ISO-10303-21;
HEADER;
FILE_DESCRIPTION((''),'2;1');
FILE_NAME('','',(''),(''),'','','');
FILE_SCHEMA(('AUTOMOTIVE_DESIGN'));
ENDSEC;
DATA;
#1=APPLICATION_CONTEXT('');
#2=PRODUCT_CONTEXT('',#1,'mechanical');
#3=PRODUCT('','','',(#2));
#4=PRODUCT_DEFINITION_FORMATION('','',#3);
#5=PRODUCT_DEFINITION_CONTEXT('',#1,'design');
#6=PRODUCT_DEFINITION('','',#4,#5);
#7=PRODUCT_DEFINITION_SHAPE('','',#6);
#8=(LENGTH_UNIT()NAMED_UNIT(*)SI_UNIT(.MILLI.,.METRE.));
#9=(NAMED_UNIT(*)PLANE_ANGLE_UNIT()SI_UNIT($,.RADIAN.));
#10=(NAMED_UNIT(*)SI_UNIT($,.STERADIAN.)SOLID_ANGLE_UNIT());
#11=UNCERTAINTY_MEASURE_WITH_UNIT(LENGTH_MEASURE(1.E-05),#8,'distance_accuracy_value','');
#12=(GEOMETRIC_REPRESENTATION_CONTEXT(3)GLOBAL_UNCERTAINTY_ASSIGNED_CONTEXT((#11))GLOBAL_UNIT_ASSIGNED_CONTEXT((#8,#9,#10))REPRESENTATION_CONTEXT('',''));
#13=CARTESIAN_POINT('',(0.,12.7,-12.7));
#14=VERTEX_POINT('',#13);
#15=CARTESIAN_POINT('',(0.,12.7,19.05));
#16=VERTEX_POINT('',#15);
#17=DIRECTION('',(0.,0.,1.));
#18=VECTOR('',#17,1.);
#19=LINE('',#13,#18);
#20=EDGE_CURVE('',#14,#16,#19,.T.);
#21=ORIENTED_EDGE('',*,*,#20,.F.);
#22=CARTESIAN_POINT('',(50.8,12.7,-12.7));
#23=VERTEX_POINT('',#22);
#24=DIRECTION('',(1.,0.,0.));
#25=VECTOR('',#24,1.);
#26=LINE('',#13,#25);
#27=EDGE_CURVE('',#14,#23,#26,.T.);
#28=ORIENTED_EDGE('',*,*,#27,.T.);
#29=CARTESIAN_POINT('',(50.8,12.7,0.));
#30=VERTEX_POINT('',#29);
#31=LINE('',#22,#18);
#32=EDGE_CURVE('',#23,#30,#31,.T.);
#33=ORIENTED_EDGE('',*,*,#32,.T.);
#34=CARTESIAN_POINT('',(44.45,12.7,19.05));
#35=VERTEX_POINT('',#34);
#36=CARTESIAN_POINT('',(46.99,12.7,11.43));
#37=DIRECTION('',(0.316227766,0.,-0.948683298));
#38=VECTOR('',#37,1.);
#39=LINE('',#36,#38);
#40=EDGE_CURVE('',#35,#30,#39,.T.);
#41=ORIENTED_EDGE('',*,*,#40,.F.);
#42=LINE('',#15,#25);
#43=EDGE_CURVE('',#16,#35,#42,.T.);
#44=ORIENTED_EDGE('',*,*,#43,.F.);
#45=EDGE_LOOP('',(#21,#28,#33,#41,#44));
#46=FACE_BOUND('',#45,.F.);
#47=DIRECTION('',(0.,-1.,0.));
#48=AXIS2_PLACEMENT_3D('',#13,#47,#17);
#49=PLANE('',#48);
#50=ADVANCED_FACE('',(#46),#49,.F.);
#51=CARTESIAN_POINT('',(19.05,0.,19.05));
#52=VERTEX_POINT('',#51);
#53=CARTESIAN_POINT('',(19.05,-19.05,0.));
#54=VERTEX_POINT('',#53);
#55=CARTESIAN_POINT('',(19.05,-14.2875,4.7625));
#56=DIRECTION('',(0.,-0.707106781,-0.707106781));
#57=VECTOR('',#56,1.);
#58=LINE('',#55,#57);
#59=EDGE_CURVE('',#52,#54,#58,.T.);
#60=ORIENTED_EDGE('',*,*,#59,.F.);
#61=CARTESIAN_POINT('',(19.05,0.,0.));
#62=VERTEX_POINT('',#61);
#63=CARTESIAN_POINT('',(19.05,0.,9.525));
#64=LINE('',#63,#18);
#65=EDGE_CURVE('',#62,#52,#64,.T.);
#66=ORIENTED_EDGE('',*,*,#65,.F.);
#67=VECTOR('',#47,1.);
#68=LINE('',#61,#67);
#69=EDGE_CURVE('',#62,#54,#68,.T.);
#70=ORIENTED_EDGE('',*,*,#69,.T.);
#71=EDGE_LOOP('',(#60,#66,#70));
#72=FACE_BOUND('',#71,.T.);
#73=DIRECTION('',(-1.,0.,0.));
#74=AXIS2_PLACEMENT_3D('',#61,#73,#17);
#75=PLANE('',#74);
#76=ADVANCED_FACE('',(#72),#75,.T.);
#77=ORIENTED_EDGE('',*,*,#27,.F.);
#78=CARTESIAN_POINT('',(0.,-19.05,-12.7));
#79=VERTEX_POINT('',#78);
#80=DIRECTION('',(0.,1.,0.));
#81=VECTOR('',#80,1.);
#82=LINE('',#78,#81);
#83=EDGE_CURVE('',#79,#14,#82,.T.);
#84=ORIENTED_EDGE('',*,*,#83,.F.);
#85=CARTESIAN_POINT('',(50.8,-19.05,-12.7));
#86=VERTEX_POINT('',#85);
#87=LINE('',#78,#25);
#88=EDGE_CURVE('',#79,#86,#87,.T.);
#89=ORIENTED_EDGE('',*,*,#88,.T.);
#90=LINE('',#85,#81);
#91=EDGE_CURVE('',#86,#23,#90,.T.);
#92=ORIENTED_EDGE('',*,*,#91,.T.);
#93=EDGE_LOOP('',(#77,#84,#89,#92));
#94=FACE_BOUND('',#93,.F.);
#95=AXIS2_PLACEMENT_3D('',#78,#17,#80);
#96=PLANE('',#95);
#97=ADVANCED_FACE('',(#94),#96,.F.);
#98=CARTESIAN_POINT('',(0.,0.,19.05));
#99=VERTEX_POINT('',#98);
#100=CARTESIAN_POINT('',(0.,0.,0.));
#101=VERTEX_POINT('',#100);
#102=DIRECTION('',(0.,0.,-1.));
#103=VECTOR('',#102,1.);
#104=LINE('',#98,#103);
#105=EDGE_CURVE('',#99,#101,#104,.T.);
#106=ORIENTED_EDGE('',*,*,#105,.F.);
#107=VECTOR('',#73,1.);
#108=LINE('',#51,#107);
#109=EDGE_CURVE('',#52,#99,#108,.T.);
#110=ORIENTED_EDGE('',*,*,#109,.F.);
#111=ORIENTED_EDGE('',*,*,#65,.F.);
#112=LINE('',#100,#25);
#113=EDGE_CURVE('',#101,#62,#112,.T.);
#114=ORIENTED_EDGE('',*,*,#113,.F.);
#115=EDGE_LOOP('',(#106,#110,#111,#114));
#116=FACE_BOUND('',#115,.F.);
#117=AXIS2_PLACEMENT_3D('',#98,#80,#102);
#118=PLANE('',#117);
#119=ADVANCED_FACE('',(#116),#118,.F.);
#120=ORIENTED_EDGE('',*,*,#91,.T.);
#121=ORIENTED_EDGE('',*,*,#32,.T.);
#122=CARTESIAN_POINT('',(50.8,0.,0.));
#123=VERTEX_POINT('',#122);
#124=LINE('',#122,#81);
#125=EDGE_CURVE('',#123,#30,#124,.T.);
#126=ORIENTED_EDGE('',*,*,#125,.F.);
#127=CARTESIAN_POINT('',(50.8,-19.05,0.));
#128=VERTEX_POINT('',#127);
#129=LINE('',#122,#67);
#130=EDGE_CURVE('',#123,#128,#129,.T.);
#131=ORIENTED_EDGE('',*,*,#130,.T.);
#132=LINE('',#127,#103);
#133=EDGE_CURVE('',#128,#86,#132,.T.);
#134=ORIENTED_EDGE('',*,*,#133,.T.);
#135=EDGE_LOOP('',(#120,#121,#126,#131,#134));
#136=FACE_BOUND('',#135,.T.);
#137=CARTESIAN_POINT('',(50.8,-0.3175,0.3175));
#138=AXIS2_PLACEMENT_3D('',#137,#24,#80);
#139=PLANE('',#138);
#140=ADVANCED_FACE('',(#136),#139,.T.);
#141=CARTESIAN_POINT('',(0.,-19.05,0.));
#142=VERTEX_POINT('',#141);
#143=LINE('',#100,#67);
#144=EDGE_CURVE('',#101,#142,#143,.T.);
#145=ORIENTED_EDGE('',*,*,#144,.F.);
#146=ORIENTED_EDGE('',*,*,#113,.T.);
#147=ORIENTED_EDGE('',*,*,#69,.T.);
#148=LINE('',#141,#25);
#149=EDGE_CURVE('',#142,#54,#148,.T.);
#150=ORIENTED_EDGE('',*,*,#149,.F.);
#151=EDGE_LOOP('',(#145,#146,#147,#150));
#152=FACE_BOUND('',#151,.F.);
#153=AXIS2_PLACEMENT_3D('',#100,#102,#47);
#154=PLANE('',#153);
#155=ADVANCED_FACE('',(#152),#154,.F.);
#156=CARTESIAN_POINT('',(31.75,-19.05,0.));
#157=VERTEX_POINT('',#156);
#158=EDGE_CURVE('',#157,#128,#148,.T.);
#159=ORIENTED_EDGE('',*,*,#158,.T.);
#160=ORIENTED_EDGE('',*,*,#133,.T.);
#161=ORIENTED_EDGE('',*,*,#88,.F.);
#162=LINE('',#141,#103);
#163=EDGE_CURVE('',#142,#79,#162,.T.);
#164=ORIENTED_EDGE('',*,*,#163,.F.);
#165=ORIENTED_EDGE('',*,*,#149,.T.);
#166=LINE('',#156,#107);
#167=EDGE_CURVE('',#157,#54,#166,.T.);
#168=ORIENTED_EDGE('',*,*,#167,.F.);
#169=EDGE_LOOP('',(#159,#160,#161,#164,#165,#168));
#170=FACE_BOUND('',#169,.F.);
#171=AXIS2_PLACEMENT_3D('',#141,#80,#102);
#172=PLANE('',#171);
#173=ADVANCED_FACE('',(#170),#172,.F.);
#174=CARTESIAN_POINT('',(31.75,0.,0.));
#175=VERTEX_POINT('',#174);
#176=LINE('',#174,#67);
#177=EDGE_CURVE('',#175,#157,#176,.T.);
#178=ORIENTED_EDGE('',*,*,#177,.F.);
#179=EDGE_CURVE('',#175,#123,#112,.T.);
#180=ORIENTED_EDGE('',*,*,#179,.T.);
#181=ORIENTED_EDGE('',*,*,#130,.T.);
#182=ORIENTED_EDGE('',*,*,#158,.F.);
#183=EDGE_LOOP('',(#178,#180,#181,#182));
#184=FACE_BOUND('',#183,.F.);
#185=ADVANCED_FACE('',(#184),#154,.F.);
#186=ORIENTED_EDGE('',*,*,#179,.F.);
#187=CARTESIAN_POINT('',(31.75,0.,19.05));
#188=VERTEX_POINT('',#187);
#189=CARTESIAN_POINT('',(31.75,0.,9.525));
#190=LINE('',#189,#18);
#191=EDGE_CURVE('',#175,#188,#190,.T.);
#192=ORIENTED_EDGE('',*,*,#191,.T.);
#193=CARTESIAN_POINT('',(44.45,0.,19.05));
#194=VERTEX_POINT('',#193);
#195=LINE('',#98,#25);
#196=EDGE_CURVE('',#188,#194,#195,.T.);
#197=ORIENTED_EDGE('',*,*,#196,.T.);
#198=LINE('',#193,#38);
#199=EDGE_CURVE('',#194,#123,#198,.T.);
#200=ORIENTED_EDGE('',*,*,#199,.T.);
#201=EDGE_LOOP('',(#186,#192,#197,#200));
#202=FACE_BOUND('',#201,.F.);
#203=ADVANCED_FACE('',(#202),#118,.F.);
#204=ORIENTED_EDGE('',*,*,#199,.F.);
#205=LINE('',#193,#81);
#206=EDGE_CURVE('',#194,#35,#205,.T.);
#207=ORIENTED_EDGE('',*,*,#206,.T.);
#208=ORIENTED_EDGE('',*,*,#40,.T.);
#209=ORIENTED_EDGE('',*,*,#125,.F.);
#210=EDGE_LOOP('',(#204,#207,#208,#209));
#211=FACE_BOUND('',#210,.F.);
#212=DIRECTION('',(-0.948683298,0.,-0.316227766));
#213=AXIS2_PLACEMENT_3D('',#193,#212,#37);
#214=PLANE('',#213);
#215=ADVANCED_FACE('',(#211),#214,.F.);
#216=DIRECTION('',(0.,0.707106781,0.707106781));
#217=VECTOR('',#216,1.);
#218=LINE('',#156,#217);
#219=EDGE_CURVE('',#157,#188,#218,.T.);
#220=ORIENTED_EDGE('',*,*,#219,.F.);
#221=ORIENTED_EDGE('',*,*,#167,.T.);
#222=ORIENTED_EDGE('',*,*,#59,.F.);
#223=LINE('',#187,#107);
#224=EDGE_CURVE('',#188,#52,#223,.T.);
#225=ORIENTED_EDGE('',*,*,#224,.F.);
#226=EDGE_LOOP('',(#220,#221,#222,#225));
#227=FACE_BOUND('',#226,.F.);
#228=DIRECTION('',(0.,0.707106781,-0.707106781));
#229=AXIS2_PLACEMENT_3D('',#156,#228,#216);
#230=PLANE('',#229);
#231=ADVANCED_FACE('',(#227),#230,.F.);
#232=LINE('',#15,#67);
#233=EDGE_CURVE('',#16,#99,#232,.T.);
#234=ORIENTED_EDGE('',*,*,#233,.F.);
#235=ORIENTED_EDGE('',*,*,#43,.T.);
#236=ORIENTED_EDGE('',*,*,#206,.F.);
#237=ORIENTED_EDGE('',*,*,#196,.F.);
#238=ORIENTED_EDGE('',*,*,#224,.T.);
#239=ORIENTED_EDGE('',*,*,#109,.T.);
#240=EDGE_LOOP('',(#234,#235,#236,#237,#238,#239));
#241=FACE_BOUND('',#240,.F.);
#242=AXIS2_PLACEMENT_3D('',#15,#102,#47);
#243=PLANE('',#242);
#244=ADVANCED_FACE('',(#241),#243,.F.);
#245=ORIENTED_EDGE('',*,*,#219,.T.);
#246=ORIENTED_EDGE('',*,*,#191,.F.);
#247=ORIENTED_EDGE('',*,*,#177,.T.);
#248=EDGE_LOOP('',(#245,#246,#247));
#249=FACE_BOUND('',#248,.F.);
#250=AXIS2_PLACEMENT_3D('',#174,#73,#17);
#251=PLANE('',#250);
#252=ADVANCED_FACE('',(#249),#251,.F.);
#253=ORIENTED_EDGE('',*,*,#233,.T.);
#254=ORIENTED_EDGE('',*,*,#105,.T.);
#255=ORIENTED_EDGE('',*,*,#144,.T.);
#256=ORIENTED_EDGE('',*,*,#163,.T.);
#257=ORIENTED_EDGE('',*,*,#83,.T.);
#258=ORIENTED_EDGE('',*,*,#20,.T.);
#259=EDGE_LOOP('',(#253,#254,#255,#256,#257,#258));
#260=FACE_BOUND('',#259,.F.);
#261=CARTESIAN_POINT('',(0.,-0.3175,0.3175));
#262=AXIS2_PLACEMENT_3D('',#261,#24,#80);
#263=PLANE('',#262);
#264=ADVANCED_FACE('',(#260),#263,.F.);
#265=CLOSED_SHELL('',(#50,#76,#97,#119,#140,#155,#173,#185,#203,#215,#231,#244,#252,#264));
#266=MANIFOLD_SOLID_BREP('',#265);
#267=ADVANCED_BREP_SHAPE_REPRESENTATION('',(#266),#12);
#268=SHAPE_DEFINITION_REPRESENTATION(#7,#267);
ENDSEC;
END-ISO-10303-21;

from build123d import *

# Parameters (mm, degrees)
F1_DEPTH = 50.8
F3_DEPTH = 25.4
F4_W     = 12.7
F4_H     = 19.05
F5_DEPTH = 19.05
F7_DEPTH = 25.4


with BuildPart() as f1:
    # F0 (on Right) → F1 (new body)
    with BuildSketch(Plane.YZ):
        Polygon((0, 19.05), (0, 0), (-19.05, 0), (-19.05, -12.7), (12.7, -12.7), (12.7, 19.05), align=None)
    extrude(amount=F1_DEPTH)

    # F2 (on face) → F3 (cut)
    with BuildSketch(Plane.XZ):
        Polygon((50.8, 0), (50.8, 19.05), (44.45, 19.05), align=None)
    extrude(amount=-F3_DEPTH, mode=Mode.SUBTRACT)

    # F4 (on face) → F5 (join)
    with BuildSketch(Plane.XZ):
        with Locations((25.4, 9.525)):
            Rectangle(F4_W, F4_H)
    extrude(amount=F5_DEPTH)

    # F6 (on face) → F7 (cut)
    with BuildSketch(Plane.YZ.offset(31.75)):
        Polygon((-19.05, 19.05), (-19.05, 0), (0, 19.05), align=None)
    extrude(amount=-F7_DEPTH, mode=Mode.SUBTRACT)


solid = f1.part
